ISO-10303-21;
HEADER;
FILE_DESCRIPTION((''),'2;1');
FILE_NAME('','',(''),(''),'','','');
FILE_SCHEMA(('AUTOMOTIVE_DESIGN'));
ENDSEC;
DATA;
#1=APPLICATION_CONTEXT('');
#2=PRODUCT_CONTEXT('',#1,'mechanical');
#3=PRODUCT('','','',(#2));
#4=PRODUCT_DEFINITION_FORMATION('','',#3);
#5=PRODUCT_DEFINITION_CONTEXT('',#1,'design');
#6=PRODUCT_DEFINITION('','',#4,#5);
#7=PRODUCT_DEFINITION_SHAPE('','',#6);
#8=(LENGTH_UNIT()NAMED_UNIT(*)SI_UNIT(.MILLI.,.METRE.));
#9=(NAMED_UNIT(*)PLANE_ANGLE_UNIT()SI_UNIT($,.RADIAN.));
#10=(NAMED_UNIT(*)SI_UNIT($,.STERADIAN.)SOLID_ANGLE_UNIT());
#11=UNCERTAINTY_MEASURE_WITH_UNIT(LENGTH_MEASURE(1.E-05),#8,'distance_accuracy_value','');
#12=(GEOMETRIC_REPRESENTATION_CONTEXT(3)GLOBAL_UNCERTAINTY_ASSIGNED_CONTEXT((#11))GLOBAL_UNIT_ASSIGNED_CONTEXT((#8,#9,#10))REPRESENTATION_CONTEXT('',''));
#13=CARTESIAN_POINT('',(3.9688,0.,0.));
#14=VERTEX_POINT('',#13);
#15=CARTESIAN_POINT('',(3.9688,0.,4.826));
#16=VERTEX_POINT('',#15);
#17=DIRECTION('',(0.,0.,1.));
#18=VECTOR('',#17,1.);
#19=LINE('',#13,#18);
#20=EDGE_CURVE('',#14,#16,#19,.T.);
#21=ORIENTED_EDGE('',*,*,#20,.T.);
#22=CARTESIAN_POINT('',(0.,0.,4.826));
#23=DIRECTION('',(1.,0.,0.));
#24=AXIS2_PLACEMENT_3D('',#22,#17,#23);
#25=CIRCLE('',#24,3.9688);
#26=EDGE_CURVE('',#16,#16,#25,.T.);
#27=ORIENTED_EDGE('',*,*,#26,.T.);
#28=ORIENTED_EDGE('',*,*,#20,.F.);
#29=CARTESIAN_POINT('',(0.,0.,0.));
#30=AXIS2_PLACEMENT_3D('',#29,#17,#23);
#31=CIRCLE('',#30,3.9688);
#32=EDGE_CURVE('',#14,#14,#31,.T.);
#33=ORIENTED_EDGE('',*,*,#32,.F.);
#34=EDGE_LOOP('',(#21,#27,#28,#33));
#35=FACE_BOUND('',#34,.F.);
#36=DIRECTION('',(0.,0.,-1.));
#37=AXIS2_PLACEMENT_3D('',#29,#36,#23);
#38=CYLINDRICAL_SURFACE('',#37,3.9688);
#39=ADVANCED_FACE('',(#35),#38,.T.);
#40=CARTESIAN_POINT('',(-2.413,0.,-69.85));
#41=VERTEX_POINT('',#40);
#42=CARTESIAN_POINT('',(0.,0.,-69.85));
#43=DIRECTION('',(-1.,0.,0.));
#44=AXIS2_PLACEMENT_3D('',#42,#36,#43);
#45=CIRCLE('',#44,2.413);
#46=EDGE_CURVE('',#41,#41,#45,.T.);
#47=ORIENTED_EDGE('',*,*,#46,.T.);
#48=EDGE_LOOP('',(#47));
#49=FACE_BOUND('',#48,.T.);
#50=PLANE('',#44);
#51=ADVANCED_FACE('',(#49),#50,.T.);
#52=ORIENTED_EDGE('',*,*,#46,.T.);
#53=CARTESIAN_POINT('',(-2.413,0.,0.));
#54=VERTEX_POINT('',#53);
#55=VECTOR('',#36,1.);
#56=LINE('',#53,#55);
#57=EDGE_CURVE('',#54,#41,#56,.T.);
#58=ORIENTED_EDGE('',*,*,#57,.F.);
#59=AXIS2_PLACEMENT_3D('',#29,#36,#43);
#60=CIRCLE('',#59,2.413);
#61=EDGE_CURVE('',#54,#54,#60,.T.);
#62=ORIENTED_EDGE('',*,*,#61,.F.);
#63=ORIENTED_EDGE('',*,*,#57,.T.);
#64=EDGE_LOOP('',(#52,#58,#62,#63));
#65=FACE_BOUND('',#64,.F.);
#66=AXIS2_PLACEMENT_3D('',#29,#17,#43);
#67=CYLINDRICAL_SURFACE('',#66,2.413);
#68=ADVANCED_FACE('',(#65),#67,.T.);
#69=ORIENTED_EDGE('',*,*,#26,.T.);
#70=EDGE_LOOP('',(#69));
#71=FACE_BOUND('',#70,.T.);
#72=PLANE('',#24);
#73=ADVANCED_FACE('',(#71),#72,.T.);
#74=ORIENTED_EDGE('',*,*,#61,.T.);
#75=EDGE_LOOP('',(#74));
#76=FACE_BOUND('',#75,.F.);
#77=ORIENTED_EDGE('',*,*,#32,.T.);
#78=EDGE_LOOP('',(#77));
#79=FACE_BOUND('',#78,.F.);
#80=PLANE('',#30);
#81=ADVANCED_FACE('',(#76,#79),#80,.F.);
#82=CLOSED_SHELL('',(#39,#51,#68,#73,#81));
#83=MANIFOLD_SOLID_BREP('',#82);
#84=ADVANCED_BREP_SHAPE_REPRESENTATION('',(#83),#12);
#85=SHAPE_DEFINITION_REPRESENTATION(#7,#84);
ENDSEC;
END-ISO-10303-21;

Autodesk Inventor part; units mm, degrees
ref_plane "YZ Plane" through (0, 0, 0) normal (1, 0, 0) x (0, 1, 0)
ref_plane "XZ Plane" through (0, 0, 0) normal (0, 1, 0) x (-1, 0, 0)
ref_plane "XY Plane" through (0, 0, 0) normal (0, 0, 1) x (1, 0, 0)
sketch "Sketch1" plane through (0, 0, 0) normal (0, 0, 1) x (1, 0, 0)
  circle A0 centre (0, 0) radius 3.9688
  dimension "d0" = 7.9375
extrude "Extrusion1" add sketch "Sketch1" along normal blind 4.826
sketch "Sketch2" plane through (0, 0, 0) normal (0, 0, -1) x (-1, 0, 0)
  circle A0 centre (0, 0) radius 2.413
  dimension "d3" = 4.826
extrude "Extrusion2" add sketch "Sketch2" along normal blind 69.85
thread "Thread1" size "10-24 UNC" class "2A" standard "ANSI Unified Screw Threads" length 25.4
properties part number "10-32_bolt"
